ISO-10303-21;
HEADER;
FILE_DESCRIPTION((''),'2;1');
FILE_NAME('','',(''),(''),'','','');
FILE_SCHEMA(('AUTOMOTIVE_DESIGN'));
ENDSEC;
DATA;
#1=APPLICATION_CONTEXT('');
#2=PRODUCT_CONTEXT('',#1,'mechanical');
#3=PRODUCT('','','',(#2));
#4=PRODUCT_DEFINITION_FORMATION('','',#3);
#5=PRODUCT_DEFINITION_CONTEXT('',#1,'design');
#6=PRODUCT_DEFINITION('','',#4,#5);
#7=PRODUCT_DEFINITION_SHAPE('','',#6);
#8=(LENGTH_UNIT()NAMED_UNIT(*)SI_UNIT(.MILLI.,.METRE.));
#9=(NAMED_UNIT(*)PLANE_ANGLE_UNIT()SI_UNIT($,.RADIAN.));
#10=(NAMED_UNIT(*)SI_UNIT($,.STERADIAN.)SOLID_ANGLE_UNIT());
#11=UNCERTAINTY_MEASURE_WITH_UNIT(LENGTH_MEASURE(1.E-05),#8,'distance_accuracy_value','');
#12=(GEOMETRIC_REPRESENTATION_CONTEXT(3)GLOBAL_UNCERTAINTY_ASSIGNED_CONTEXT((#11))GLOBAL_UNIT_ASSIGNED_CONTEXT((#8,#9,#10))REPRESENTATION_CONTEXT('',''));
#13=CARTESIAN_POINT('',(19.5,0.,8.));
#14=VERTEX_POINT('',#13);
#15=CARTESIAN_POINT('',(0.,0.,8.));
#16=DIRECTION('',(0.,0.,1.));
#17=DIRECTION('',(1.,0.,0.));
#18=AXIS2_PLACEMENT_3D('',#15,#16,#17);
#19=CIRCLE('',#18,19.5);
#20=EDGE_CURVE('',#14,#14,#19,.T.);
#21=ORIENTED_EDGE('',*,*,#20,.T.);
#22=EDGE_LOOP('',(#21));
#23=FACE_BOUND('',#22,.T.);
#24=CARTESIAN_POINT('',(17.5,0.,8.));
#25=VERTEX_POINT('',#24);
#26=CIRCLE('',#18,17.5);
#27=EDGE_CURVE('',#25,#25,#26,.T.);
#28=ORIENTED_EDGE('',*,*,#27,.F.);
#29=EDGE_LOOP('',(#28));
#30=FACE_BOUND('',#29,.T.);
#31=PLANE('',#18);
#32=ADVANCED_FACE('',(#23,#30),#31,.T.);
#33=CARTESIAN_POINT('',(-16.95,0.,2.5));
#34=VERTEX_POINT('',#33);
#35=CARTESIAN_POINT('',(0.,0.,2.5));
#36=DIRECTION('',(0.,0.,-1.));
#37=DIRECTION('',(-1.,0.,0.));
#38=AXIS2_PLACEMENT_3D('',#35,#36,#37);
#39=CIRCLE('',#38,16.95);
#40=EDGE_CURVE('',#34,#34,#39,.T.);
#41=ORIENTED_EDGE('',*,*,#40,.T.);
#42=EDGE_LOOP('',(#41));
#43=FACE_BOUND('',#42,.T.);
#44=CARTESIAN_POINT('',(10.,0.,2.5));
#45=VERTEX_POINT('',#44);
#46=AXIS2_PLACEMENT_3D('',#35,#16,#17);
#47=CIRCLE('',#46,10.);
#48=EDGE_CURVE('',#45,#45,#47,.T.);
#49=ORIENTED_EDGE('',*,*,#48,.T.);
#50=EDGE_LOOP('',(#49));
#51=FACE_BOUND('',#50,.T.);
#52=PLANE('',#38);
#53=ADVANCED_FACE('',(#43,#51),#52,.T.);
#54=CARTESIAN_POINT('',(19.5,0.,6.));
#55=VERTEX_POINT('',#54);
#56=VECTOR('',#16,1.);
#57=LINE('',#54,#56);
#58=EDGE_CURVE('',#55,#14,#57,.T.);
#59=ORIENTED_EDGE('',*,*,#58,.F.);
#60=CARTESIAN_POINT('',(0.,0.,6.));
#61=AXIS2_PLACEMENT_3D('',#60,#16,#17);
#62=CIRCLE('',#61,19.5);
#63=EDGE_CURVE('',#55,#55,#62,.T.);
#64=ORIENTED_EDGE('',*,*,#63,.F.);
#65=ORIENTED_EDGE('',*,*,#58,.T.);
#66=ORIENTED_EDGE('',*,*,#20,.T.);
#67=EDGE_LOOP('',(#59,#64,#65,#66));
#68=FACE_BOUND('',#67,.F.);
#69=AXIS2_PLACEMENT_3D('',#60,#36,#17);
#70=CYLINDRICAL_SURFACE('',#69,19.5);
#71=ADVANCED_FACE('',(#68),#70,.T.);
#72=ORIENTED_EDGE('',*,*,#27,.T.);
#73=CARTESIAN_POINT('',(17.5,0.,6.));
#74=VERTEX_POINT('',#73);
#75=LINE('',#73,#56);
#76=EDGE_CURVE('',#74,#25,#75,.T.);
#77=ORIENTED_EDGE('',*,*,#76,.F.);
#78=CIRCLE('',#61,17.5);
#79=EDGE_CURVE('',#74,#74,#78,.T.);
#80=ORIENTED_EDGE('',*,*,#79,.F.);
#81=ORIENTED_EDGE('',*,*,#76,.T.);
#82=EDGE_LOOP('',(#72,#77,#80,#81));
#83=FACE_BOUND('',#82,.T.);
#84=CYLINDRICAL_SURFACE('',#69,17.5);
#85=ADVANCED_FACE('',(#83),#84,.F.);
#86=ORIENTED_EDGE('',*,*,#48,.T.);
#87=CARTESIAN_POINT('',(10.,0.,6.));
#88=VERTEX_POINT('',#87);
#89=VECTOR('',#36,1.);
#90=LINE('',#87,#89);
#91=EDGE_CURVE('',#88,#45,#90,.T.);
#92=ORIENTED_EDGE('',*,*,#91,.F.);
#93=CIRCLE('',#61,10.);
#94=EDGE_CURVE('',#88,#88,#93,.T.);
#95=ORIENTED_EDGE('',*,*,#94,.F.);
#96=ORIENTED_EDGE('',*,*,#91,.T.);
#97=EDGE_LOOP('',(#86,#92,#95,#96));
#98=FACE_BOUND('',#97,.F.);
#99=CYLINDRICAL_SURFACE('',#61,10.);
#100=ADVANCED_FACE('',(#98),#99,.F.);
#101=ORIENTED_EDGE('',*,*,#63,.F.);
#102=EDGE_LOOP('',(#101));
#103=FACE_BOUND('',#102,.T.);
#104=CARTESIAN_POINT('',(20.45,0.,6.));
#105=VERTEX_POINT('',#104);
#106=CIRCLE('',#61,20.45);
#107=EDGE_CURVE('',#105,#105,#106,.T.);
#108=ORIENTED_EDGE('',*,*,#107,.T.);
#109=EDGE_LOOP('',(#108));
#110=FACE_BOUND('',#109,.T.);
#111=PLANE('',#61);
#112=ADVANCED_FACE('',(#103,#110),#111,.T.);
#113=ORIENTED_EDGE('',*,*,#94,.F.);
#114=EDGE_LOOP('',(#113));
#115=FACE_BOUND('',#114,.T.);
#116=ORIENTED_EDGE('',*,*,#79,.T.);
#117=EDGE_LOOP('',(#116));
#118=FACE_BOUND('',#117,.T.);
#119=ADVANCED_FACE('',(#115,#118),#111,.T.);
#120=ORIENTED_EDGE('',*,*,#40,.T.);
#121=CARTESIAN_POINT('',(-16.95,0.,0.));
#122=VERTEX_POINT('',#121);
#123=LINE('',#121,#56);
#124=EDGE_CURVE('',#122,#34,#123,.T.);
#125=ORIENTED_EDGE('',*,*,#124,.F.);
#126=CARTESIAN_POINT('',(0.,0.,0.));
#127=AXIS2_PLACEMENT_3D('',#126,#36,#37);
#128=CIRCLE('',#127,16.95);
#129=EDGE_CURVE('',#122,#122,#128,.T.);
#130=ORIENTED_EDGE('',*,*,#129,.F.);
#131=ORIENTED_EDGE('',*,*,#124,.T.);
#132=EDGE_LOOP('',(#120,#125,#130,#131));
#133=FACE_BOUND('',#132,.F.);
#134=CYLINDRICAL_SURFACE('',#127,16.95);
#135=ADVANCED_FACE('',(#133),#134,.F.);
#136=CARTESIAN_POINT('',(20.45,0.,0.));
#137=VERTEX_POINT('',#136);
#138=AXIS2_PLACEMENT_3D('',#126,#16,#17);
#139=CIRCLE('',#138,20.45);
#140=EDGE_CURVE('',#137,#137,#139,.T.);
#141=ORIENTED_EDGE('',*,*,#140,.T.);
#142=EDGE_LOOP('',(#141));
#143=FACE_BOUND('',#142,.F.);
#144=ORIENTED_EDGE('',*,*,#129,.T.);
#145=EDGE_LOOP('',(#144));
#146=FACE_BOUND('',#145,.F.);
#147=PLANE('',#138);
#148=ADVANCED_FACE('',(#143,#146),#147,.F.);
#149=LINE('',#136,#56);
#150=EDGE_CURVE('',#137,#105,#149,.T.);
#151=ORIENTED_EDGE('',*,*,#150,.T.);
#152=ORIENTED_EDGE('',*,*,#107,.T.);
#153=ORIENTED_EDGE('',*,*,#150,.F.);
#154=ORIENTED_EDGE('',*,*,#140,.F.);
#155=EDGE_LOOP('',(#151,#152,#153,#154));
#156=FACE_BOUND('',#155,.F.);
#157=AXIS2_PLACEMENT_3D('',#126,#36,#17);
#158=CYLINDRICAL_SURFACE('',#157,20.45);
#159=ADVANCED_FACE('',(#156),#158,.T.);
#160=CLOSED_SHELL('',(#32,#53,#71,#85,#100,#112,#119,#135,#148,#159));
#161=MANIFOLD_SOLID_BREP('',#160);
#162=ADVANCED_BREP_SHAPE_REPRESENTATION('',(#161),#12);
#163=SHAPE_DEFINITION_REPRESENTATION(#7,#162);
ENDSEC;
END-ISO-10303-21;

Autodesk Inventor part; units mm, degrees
ref_plane "YZ Plane" through (0, 0, 0) normal (1, 0, 0) x (0, 1, 0)
ref_plane "XZ Plane" through (0, 0, 0) normal (0, 1, 0) x (-1, 0, 0)
ref_plane "XY Plane" through (0, 0, 0) normal (0, 0, 1) x (1, 0, 0)
sketch "Эскиз1" plane through (0, 0, 0) normal (0, 0, 1) x (1, 0, 0)
  line L0 (5.5, -5.5) -> (-5.5, -5.5)
  line L1 (-5.5, -5.5) -> (-5.5, 5.5)
  line L2 (-5.5, 5.5) -> (5.5, 5.5)
  line L3 (5.5, 5.5) -> (5.5, -5.5)
  line L4 (5.5, -5.5) -> (-5.5, 5.5) construction
  line L5 (-5.5, -5.5) -> (5.5, 5.5) construction
  circle A0 centre (0, 0) radius 20.45
  circle A1 centre (0, 0) radius 17.5
  dimension "d0" = 11
  dimension "d1" = 11
  dimension "d2" = 40.9
  dimension "d3" = 35
extrude "Выдавливание1" add sketch "Эскиз1" along normal blind 6 contours A0 | A1
sketch "Эскиз2" plane through (0, 0, 6) normal (0, 0, 1) x (1, 0, 0)
  circle A0 centre (0, 0) radius 19.5
  circle A1 centre (0, 0) radius 17.5
  dimension "d6" = 39
  dimension "d7" = 35
extrude "Выдавливание2" add sketch "Эскиз2" along normal blind 2
sketch "Эскиз3" plane through (0, 0, 0) normal (0, 0, -1) x (-1, 0, 0)
  circle A0 centre (0, 0) radius 16.95
  dimension "d10" = 33.9
extrude "Выдавливание3" cut sketch "Эскиз3" against normal blind 2.5
sketch "Эскиз4" plane through (0, 0, 6) normal (0, 0, 1) x (1, 0, 0)
  circle A0 centre (0, 0) radius 10
  dimension "d13" = 20
extrude "Выдавливание4" cut sketch "Эскиз4" against normal blind 10
properties part number "64t2018"
